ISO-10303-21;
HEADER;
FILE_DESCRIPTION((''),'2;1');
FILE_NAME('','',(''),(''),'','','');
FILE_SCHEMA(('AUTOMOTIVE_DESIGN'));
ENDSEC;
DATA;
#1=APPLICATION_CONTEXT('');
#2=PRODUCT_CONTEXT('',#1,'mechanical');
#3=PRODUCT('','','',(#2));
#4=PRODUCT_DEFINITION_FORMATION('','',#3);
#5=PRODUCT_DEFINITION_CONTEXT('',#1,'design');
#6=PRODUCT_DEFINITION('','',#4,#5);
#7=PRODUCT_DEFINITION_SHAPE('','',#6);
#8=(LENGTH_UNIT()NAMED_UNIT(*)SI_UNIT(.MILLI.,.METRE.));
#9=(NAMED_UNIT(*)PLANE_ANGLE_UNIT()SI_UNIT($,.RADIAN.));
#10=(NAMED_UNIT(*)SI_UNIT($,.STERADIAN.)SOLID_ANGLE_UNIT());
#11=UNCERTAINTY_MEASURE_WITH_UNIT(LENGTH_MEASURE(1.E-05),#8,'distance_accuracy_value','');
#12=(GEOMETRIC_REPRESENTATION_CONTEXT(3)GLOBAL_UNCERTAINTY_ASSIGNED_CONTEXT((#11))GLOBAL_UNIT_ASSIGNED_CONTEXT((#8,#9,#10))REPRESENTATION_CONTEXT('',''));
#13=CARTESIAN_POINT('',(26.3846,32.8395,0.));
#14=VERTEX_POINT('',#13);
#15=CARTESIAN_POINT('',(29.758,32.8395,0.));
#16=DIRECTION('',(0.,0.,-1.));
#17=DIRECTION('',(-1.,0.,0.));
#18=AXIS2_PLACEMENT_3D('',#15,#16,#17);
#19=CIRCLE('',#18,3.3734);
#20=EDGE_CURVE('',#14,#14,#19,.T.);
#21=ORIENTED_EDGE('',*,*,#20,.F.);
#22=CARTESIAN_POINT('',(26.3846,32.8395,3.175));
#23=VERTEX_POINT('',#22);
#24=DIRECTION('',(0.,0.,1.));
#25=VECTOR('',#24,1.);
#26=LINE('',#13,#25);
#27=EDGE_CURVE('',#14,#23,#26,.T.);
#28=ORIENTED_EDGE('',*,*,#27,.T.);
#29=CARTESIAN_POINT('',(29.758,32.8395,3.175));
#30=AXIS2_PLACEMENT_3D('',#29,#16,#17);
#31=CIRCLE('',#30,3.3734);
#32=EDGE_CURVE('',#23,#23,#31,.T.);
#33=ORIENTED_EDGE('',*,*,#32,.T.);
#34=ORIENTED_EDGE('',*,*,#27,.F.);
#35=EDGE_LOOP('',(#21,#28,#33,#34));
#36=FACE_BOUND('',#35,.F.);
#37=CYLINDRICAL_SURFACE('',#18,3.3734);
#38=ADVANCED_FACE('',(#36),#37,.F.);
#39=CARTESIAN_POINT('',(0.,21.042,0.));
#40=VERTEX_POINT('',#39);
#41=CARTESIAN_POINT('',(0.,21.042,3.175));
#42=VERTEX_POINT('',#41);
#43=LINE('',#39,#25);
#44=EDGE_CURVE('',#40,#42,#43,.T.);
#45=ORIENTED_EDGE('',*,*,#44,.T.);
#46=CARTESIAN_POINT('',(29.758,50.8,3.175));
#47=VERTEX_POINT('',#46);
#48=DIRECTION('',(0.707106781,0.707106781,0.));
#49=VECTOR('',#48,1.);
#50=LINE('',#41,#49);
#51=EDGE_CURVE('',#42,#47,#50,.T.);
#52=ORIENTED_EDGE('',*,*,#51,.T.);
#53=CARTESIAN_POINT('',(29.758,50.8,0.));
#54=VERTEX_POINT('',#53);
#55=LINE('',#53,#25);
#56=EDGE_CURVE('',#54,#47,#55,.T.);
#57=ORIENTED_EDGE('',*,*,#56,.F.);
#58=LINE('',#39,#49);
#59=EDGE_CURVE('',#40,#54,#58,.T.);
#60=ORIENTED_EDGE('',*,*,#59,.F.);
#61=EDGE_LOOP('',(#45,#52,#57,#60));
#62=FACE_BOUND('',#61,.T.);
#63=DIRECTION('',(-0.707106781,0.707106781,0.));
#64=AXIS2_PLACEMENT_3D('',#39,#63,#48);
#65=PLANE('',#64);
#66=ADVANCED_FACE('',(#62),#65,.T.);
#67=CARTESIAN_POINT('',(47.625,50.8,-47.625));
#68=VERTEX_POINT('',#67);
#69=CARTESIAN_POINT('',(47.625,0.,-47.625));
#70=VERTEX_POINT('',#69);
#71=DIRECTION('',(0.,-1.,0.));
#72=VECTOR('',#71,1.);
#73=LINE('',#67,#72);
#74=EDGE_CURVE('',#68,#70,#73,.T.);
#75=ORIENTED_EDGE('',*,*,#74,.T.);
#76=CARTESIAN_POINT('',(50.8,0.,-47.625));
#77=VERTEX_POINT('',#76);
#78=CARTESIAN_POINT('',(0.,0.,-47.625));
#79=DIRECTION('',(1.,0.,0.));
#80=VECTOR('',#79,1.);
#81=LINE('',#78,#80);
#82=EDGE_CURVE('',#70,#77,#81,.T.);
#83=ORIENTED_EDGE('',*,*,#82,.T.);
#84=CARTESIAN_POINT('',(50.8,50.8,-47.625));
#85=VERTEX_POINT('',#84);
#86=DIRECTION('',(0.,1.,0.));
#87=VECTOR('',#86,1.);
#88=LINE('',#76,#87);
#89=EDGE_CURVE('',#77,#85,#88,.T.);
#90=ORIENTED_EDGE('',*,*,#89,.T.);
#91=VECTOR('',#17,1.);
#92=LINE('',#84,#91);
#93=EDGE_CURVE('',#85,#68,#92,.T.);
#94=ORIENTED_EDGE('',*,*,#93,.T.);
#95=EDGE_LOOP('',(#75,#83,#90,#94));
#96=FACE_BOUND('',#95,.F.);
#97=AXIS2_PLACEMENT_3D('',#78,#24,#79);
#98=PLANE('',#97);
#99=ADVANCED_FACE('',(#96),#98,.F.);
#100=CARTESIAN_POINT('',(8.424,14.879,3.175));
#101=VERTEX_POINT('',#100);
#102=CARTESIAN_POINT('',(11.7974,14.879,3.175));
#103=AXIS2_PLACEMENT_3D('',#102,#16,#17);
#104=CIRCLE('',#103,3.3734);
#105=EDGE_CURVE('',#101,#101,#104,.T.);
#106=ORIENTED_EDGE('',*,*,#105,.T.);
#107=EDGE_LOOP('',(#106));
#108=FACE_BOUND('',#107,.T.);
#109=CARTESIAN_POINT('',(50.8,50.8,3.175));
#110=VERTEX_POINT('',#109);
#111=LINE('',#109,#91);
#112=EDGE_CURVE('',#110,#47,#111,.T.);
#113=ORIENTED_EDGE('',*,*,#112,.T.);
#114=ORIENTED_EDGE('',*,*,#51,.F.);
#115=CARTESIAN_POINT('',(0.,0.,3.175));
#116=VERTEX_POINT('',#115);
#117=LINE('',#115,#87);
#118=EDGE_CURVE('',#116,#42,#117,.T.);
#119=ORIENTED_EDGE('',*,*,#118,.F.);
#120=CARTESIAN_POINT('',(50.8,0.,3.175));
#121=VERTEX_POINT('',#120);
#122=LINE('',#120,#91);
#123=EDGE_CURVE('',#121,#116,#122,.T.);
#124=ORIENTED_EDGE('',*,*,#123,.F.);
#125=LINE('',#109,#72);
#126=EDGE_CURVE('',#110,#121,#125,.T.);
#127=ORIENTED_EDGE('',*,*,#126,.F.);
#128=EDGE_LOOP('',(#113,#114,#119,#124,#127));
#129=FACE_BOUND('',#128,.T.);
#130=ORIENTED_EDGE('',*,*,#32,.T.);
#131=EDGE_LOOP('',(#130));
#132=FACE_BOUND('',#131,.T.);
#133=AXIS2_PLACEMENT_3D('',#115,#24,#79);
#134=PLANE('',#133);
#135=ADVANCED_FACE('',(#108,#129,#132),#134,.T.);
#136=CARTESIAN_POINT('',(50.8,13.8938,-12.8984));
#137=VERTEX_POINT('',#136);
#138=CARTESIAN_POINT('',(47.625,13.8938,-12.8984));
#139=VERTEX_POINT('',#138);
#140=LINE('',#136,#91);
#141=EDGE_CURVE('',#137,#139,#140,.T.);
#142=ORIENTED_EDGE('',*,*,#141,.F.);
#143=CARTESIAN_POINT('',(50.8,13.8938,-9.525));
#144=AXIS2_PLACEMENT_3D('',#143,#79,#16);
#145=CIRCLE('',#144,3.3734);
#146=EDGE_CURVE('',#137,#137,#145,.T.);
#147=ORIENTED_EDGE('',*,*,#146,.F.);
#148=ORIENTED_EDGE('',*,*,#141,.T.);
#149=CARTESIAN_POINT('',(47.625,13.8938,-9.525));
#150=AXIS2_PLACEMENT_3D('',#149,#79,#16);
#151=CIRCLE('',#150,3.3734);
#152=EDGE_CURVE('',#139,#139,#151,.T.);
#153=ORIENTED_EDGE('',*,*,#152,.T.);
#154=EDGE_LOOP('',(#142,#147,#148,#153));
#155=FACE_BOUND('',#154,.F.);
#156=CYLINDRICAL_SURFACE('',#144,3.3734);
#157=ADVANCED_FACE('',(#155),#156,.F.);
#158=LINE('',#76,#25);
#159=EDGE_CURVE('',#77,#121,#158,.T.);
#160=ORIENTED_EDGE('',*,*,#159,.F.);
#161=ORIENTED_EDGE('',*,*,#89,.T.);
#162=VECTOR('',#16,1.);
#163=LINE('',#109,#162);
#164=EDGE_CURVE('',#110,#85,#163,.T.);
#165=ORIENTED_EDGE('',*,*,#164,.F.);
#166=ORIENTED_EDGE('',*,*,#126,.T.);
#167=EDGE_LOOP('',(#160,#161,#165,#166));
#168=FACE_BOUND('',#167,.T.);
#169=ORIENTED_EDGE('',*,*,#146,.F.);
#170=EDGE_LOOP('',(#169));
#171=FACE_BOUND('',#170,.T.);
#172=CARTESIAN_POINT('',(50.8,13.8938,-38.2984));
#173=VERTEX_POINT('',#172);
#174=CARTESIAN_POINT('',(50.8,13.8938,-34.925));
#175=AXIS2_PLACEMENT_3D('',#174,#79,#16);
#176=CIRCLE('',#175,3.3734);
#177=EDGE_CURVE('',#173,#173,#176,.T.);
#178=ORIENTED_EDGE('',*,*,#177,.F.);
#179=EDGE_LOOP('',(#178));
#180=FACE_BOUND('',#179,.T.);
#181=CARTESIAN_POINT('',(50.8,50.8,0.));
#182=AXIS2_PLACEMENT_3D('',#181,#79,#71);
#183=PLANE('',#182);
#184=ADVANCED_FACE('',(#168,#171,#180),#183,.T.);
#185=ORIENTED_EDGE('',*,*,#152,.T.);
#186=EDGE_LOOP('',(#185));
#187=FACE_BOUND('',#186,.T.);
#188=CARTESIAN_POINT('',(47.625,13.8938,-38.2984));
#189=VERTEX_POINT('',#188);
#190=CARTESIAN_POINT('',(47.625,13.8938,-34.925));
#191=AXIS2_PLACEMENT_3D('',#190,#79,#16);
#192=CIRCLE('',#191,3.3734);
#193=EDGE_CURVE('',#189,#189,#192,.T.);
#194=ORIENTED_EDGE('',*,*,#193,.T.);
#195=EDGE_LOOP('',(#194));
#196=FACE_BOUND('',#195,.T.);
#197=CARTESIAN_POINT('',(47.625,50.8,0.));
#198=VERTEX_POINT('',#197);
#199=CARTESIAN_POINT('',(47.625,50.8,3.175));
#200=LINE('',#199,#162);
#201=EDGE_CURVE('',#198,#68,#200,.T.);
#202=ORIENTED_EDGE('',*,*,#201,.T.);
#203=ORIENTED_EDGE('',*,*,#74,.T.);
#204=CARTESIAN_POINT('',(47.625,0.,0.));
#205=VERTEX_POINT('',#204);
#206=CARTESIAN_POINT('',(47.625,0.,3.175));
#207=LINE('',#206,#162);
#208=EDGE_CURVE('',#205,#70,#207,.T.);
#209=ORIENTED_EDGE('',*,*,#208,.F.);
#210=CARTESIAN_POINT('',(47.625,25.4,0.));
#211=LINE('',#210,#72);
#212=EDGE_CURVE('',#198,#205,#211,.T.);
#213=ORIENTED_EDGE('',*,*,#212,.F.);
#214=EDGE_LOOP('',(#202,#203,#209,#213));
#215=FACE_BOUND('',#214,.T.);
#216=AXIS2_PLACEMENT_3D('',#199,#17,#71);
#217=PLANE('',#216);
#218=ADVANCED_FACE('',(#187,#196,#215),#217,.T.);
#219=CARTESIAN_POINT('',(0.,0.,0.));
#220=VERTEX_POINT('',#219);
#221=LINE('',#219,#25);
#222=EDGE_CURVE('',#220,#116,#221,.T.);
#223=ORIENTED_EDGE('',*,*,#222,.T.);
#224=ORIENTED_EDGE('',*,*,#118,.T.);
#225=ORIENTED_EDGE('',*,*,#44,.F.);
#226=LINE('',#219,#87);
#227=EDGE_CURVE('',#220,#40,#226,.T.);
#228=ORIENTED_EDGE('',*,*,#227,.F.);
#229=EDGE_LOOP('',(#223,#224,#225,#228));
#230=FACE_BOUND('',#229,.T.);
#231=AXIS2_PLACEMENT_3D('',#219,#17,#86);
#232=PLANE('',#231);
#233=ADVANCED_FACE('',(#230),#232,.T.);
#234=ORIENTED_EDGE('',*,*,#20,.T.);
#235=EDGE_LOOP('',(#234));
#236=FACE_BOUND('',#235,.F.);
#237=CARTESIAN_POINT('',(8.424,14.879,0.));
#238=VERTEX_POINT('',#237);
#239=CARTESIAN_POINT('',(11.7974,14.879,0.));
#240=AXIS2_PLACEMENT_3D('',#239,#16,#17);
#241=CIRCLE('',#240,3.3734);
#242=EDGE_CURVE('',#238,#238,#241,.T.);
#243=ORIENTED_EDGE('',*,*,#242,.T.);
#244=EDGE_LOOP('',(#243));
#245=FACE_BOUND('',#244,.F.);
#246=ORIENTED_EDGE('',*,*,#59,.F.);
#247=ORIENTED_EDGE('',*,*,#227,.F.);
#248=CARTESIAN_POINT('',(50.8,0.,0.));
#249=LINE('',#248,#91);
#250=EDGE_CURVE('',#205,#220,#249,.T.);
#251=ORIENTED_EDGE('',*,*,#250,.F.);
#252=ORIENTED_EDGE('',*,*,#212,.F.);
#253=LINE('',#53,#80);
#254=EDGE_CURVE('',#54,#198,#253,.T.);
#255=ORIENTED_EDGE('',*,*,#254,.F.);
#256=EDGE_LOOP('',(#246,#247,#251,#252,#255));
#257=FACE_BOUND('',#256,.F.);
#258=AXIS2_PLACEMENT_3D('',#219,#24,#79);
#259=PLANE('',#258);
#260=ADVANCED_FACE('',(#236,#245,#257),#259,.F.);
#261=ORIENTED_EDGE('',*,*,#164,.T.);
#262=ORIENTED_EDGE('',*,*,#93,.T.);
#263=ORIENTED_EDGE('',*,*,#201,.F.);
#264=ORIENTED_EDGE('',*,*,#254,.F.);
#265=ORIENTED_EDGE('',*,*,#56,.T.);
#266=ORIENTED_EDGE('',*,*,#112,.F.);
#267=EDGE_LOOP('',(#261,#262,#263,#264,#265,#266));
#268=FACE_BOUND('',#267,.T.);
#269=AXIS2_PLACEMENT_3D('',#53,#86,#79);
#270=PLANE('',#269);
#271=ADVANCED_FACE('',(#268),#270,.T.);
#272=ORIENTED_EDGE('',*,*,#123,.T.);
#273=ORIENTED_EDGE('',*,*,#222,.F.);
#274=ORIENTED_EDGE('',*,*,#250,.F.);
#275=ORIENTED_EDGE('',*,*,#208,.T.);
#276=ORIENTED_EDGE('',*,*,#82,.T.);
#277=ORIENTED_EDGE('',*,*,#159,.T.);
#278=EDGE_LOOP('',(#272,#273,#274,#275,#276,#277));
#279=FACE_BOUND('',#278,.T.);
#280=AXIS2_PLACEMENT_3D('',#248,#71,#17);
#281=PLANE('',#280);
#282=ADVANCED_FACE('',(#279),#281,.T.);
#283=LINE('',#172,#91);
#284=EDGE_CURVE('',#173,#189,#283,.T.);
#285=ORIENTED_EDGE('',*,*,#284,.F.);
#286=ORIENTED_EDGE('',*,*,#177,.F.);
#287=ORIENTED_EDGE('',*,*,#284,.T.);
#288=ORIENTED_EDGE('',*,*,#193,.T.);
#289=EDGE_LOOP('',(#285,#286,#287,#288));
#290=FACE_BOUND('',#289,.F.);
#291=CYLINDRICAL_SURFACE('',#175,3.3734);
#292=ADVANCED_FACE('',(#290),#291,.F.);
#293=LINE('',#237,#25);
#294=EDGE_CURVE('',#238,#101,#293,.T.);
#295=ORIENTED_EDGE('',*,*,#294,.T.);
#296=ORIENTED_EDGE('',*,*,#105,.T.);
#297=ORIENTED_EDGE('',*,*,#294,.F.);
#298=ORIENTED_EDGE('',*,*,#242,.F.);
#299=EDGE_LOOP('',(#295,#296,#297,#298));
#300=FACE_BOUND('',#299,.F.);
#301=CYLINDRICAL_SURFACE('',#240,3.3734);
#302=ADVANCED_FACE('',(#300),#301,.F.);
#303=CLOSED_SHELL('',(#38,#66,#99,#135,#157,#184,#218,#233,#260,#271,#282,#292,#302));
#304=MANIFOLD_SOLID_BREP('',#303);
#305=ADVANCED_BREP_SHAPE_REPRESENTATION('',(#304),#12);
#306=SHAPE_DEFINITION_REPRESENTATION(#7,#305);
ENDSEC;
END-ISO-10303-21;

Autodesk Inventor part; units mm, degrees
ref_plane "YZ Plane" through (0, 0, 0) normal (1, 0, 0) x (0, 1, 0)
ref_plane "XZ Plane" through (0, 0, 0) normal (0, 1, 0) x (-1, 0, 0)
ref_plane "XY Plane" through (0, 0, 0) normal (0, 0, 1) x (1, 0, 0)
sketch "Sketch1" plane through (0, 0, 0) normal (0, 0, 1) x (1, 0, 0)
  line L0 (0, 0) -> (0, 21.042)
  line L1 (0, 21.042) -> (29.758, 50.8)
  line L2 (29.758, 50.8) -> (50.8, 50.8)
  line L3 (50.8, 50.8) -> (50.8, 0)
  line L4 (50.8, 0) -> (0, 0)
  dimension "d0" = 50.8
  dimension "d2" = 50.8
  dimension "d3" = 50.8
  dimension "d4" = 135
extrude "Extrusion1" add sketch "Sketch1" along normal blind 3.175
sketch "Sketch2" plane through (0, 0, 3.175) normal (0, 0, 1) x (1, 0, 0)
  line L0 (50.8, 0) -> (50.8, 50.8) projected
  line L1 (0, 0) -> (50.8, 0) projected
  line L2 (50.8, 50.8) -> (47.625, 50.8)
  line L3 (47.625, 50.8) -> (47.625, 0)
  line L4 (47.625, 0) -> (50.8, 0)
  line L5 (50.8, 0) -> (50.8, 50.8)
  dimension "d7" = 3.175
extrude "Extrusion2" add sketch "Sketch2" against normal blind 50.8
sketch "Sketch3" plane through (50.8, 0, 3.175) normal (1, 0, 0) x (0, 0, -1)
  circle A0 centre (38.1, 13.8938) radius 3.3734
  circle A1 centre (12.7, 13.8938) radius 3.3734
  line L0 (0, 50.8) -> (50.8, 50.8) projected
  line L1 (0, 0) -> (0, 50.8) projected
  line L2 (0, 0) -> (50.8, 0) projected
  point P0 (3.175, 0)
  dimension "d10" = 6.7469
  dimension "d11" = 6.7469
  dimension "d14" = 12.7
  dimension "d15" = 25.4
  dimension "d25" = 13.8938
  dimension "d26" = 13.8938
extrude "Extrusion3" cut sketch "Sketch3" against normal blind 3.175
sketch "Sketch5" plane through (0, 0, 0) normal (0, 0, -1) x (-1, 0, 0)
  circle A0 centre (-11.7974, 14.879) radius 3.3734
  circle A1 centre (-29.758, 32.8395) radius 3.3734
  line L0 (0, 21.042) -> (-29.758, 50.8) projected
  line L1 (-29.758, 50.8) -> (-47.7185, 32.8395) construction
  point P0 (0, 0)
  dimension "d27" = 6.7469
  dimension "d28" = 6.7469
  dimension "d29" = 12.7
  dimension "d30" = 12.7
  dimension "d31" = 25.4
  dimension "d32" = 25.4
  dimension "d33" = 12.7
extrude "Extrusion5" cut sketch "Sketch5" against normal blind 3.175
properties part number "bottom left rail gusset" material "Aluminum 6061"
